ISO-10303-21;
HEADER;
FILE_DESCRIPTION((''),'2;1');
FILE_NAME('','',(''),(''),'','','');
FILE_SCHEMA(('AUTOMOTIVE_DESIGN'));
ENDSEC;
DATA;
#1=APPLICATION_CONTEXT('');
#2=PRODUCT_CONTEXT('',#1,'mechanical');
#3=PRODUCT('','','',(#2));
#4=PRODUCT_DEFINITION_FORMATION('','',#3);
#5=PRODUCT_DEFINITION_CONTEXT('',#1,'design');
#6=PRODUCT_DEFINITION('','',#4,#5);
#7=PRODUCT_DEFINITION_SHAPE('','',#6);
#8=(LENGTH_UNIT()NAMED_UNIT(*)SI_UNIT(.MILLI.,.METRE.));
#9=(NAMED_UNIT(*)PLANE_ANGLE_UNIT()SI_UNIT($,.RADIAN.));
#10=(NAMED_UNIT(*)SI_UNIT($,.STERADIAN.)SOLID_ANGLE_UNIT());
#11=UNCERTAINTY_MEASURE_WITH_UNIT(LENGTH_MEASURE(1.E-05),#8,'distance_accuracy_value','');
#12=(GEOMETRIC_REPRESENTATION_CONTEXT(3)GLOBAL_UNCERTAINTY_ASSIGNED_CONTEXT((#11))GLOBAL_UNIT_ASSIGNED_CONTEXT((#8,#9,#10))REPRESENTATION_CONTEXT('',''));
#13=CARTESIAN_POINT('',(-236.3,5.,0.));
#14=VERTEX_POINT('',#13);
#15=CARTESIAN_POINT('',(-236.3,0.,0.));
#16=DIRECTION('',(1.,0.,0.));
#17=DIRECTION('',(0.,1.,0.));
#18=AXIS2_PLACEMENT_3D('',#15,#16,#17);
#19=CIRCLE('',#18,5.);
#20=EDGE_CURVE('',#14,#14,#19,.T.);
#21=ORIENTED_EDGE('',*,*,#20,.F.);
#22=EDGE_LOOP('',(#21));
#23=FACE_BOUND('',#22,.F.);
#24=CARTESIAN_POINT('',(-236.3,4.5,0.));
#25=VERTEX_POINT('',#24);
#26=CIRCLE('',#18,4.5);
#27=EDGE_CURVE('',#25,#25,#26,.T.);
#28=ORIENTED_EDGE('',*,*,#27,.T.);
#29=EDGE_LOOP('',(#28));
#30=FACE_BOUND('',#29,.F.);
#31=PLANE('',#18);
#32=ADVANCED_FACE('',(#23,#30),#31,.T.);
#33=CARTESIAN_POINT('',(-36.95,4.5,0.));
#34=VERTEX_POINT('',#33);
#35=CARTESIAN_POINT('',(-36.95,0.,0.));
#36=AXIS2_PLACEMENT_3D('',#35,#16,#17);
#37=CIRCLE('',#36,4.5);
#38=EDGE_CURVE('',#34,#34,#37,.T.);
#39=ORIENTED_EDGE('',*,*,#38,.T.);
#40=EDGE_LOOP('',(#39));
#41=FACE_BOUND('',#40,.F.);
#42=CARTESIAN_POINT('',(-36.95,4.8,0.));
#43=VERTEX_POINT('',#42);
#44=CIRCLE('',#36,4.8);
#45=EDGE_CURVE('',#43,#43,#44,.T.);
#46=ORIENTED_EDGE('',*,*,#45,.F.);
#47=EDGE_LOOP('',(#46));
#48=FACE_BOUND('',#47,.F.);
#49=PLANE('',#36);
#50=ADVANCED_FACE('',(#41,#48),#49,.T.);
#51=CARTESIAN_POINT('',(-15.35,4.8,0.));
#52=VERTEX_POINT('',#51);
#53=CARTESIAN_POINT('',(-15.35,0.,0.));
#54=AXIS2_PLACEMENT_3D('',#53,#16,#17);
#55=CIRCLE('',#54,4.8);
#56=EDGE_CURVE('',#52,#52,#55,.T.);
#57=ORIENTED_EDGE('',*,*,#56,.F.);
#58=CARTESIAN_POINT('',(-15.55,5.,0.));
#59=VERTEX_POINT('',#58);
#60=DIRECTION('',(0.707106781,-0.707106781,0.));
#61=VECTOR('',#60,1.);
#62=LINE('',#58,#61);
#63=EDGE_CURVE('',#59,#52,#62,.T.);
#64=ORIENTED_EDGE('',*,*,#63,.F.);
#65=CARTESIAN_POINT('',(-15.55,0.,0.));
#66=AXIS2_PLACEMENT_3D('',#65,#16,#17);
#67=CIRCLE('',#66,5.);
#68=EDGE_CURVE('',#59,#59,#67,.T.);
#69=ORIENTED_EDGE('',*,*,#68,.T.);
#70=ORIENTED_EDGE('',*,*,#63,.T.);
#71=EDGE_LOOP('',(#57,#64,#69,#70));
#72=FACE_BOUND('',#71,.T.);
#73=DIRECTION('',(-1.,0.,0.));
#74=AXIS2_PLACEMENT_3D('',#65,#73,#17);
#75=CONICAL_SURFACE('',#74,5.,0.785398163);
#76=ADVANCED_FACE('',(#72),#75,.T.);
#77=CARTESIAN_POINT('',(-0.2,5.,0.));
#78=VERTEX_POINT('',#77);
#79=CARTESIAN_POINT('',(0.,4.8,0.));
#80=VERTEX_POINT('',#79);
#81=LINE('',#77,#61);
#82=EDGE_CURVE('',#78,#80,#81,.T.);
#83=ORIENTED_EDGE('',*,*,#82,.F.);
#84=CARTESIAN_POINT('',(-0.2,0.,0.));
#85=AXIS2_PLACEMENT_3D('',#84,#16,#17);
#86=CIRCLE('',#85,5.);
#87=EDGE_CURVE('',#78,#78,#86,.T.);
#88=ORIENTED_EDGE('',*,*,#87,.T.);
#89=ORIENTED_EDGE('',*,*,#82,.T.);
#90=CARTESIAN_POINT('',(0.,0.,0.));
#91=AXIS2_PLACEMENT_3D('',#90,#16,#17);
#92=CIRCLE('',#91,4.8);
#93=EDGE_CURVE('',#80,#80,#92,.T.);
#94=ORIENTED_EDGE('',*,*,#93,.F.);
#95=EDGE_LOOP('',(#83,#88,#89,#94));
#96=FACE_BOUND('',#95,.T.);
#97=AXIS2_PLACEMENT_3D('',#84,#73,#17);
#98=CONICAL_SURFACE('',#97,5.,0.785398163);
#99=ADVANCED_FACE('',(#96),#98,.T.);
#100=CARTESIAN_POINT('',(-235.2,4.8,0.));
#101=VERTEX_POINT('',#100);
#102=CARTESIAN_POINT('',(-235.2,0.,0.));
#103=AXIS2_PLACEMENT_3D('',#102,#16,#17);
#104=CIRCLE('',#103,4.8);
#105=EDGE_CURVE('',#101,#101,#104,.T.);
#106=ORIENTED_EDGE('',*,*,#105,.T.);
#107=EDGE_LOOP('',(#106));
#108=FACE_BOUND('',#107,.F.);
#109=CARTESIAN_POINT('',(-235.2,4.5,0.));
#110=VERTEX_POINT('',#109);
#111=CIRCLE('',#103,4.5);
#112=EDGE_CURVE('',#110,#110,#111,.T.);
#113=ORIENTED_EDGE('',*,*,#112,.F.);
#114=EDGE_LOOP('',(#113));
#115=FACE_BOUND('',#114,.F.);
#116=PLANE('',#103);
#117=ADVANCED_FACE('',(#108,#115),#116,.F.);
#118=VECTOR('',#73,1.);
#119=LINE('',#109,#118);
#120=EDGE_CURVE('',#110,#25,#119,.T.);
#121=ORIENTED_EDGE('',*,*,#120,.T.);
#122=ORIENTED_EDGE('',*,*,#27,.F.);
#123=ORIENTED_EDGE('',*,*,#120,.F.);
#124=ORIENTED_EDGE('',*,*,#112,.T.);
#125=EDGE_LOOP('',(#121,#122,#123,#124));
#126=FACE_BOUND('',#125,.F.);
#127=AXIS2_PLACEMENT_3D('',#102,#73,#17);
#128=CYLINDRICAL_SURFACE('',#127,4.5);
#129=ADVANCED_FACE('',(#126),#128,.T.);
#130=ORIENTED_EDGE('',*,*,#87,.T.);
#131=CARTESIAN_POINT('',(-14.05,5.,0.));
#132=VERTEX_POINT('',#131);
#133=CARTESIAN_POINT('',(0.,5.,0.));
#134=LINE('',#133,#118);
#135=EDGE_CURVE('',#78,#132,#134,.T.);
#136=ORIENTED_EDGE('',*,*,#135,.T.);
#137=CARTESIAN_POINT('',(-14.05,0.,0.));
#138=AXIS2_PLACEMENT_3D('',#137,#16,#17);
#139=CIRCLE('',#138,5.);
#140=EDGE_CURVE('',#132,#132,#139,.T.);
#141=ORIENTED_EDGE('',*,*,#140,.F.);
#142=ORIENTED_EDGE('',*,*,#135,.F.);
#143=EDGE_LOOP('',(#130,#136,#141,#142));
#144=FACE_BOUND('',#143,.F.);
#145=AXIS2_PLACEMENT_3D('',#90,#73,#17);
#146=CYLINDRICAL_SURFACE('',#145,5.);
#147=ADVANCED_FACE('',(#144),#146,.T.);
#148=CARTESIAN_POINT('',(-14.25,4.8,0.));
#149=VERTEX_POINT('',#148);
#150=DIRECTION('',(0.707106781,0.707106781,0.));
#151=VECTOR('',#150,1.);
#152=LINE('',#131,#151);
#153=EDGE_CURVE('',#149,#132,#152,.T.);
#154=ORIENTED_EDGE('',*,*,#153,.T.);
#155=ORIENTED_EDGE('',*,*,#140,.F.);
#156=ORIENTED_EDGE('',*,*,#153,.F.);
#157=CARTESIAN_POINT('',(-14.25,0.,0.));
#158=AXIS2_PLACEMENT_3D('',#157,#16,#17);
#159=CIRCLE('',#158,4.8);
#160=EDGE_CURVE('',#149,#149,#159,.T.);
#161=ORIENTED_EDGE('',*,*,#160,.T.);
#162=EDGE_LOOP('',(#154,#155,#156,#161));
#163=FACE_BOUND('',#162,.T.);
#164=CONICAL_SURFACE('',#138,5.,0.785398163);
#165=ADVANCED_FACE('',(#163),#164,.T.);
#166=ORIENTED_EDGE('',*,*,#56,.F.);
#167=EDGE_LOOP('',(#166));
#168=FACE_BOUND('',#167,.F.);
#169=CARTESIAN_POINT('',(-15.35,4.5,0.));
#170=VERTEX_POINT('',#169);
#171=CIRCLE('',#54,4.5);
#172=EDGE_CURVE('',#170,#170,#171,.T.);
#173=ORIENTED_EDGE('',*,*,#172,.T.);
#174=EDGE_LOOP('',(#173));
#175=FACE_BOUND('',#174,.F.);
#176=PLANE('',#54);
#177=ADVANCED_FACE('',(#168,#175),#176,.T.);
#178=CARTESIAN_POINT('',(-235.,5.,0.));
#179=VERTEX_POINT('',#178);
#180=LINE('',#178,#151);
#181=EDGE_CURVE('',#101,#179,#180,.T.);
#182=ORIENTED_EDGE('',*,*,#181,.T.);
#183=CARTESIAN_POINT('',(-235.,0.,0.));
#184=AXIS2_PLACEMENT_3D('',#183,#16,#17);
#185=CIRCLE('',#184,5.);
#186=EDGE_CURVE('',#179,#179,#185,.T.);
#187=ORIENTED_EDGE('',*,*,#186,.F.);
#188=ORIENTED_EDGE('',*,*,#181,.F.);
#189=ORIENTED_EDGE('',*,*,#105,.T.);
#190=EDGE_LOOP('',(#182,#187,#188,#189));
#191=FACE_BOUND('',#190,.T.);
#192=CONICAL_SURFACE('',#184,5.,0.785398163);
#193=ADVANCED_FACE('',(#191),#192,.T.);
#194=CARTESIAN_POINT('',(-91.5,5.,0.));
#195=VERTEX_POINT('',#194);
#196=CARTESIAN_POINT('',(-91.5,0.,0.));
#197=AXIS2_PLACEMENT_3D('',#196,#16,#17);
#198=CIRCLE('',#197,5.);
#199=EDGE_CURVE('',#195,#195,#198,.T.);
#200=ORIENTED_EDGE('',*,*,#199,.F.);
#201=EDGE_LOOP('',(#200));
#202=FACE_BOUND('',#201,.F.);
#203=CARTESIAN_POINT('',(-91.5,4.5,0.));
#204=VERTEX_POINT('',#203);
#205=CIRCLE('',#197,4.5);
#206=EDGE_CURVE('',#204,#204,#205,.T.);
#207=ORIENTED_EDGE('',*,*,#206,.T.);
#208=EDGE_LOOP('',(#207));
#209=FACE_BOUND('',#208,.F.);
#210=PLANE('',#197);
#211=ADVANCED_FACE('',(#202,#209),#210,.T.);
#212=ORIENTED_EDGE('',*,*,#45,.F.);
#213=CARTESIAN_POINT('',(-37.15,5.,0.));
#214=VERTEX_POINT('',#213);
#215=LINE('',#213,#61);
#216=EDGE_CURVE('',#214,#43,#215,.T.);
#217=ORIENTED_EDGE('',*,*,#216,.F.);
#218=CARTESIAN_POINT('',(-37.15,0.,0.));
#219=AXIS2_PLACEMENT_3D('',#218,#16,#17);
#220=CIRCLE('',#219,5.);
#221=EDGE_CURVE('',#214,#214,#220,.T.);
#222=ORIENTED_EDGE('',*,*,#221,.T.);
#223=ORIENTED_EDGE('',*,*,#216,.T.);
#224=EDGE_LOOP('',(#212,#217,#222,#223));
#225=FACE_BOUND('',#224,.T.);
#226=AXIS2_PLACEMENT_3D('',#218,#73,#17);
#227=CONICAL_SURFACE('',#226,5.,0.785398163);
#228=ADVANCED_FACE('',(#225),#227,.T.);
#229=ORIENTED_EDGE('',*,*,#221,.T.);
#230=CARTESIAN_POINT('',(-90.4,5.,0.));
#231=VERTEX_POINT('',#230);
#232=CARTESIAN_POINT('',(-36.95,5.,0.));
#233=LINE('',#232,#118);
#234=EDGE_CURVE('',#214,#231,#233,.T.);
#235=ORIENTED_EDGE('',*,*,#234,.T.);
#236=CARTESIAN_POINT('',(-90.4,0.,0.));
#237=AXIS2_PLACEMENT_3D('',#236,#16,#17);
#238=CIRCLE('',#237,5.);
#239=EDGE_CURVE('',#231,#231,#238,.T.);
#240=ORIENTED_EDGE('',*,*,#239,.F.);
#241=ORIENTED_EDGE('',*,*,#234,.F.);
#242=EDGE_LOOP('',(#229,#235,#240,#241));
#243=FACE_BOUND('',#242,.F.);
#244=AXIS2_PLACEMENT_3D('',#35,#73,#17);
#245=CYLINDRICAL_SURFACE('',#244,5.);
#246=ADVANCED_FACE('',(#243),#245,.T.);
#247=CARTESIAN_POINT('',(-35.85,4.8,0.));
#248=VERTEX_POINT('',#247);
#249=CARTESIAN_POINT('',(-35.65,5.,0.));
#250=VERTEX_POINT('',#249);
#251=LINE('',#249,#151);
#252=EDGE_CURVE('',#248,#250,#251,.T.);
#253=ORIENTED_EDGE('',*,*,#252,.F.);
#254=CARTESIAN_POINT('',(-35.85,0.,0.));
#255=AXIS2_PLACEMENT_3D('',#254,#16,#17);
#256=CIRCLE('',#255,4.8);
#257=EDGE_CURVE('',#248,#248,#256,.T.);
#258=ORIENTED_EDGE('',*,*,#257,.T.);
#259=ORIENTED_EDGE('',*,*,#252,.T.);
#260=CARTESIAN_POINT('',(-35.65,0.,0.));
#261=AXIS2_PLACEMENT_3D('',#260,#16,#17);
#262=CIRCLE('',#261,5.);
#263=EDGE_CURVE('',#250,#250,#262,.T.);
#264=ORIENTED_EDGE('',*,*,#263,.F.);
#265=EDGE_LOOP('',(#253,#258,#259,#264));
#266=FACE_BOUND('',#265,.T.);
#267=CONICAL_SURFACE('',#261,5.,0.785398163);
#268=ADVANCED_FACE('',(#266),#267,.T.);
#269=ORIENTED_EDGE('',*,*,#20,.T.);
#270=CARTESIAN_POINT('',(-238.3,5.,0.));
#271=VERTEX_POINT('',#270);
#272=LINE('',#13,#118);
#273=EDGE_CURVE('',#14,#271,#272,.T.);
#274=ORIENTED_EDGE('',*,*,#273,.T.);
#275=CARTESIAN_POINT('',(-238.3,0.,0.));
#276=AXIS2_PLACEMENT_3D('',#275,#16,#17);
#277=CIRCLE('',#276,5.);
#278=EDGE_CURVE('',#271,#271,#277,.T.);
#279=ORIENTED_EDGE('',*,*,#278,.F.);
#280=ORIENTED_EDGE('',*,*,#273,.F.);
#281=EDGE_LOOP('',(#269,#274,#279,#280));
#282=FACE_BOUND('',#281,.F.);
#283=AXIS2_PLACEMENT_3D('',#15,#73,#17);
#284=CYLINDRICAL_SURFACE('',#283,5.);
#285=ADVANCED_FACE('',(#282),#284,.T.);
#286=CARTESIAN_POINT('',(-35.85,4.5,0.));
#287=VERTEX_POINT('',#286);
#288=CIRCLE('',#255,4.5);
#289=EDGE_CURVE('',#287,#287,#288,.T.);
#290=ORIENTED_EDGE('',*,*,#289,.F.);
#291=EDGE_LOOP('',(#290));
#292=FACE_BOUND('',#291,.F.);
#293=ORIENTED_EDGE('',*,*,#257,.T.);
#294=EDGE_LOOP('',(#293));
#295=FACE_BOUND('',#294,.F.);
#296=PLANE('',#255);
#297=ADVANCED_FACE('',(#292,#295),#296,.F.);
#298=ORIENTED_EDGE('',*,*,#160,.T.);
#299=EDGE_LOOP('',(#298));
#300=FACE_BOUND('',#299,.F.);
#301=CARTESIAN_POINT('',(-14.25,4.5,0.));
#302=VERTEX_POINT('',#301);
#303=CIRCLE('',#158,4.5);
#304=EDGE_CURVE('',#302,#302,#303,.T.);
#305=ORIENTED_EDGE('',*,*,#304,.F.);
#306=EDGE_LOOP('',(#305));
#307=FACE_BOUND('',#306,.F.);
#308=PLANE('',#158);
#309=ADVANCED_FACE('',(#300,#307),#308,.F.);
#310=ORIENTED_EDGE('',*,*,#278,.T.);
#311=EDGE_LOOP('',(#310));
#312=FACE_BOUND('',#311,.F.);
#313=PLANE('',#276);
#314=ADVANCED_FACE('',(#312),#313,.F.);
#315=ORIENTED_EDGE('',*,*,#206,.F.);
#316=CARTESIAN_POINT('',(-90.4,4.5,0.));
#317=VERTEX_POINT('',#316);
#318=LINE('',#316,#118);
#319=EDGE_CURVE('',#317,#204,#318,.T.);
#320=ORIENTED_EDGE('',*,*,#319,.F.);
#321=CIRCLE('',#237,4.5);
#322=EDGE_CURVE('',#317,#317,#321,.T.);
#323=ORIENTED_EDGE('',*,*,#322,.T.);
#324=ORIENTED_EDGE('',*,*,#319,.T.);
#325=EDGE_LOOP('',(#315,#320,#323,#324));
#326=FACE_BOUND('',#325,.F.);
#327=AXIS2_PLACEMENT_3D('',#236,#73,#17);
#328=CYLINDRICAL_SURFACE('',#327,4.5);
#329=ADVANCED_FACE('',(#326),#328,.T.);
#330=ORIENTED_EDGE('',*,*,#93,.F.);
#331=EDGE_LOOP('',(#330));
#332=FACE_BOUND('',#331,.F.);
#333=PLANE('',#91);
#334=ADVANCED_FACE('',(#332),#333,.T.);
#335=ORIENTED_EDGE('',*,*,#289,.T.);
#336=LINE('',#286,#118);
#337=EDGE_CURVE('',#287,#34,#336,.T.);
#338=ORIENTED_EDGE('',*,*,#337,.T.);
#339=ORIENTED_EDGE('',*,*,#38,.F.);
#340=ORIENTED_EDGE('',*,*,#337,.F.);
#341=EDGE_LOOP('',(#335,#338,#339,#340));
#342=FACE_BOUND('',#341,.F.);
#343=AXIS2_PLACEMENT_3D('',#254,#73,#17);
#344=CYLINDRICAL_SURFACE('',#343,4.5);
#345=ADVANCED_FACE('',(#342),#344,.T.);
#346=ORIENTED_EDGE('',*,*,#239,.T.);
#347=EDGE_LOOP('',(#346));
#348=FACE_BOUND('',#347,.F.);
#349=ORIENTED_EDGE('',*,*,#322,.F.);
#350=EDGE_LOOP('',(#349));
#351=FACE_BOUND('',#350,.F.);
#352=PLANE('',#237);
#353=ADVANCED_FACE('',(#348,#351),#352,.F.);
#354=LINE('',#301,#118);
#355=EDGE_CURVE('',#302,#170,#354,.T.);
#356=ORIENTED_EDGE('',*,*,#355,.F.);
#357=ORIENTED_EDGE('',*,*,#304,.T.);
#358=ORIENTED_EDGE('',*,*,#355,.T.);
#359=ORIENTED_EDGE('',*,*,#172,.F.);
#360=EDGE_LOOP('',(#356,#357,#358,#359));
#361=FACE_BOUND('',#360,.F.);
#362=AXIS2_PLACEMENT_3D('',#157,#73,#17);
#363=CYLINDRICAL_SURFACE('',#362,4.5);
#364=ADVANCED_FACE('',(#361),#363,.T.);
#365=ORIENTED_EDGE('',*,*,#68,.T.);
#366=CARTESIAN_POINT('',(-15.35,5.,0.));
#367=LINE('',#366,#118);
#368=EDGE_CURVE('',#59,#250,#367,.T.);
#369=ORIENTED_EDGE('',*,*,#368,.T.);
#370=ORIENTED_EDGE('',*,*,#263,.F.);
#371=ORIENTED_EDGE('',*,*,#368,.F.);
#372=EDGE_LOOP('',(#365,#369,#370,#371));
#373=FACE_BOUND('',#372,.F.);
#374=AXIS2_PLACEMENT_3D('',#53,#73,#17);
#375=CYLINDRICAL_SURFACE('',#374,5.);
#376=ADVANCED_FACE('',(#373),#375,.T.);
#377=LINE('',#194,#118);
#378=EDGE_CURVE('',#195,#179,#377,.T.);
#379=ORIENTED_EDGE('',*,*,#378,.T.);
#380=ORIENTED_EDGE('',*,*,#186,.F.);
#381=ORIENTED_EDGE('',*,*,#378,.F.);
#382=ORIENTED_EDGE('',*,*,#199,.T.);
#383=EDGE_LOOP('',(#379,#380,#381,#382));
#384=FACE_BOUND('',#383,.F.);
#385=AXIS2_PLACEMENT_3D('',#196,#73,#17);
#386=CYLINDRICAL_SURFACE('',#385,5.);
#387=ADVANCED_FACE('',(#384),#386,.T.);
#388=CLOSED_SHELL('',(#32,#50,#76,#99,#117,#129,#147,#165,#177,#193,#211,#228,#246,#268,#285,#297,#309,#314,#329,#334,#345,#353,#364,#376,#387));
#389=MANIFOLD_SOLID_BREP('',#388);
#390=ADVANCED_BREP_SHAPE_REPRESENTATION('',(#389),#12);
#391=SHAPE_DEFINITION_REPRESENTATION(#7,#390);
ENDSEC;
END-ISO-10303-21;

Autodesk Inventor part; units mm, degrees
ref_plane "YZ Plane" through (0, 0, 0) normal (1, 0, 0) x (0, 1, 0)
ref_plane "XZ Plane" through (0, 0, 0) normal (0, 1, 0) x (-1, 0, 0)
ref_plane "XY Plane" through (0, 0, 0) normal (0, 0, 1) x (1, 0, 0)
sketch "Sketch1" plane through (0, 0, 0) normal (0, 0, 1) x (1, 0, 0)
  line L0 (0, 0) -> (0, 5)
  line L1 (0, 5) -> (-14.25, 5)
  line L2 (-14.25, 5) -> (-14.25, 4.5)
  line L3 (-14.25, 4.5) -> (-15.35, 4.5)
  line L4 (-15.35, 4.5) -> (-15.35, 5)
  line L5 (-15.35, 5) -> (-35.85, 5)
  line L6 (-35.85, 5) -> (-35.85, 4.5)
  line L7 (-35.85, 4.5) -> (-36.95, 4.5)
  line L8 (-36.95, 4.5) -> (-36.95, 5)
  line L9 (-235.2, 0) -> (0, 0)
  line L10 (-36.95, 5) -> (-90.4, 5)
  line L11 (-90.4, 5) -> (-90.4, 4.5)
  line L12 (-90.4, 4.5) -> (-91.5, 4.5)
  line L13 (-91.5, 4.5) -> (-91.5, 5)
  line L14 (-91.5, 5) -> (-235.2, 5)
  line L15 (-235.2, 5) -> (-235.2, 4.5)
  line L16 (-235.2, 4.5) -> (-236.3, 4.5)
  line L17 (-236.3, 4.5) -> (-236.3, 5)
  line L18 (-236.3, 5) -> (-238.3, 5)
  line L19 (-238.3, 5) -> (-238.3, 0)
  line L20 (-238.3, 0) -> (-235.2, 0)
  dimension "d0" = 5
  dimension "d1" = 0.5
  dimension "d2" = 1.1
  dimension "d3" = 1.1
  dimension "d4" = 15.35
  dimension "d6" = 35.85
  dimension "d11" = 1.1
  dimension "d12" = 91.5
  dimension "d13" = 1.1
  dimension "d14" = 2
  dimension "d15" = 238.3
revolve "Revolution1" add sketch "Sketch1" angle 360 about axis through (-235.2, 0, 0) along (1, 0, 0)
chamfer "Chamfer1" distance 0.2 angle 45 6 edges at (-235.2, -5, 0) (-35.85, -5, 0) (-36.95, -5, 0) (-14.25, -5, 0) (-15.35, -5, 0) (0, -5, 0)
properties part number "Joint0_LongShaft"
